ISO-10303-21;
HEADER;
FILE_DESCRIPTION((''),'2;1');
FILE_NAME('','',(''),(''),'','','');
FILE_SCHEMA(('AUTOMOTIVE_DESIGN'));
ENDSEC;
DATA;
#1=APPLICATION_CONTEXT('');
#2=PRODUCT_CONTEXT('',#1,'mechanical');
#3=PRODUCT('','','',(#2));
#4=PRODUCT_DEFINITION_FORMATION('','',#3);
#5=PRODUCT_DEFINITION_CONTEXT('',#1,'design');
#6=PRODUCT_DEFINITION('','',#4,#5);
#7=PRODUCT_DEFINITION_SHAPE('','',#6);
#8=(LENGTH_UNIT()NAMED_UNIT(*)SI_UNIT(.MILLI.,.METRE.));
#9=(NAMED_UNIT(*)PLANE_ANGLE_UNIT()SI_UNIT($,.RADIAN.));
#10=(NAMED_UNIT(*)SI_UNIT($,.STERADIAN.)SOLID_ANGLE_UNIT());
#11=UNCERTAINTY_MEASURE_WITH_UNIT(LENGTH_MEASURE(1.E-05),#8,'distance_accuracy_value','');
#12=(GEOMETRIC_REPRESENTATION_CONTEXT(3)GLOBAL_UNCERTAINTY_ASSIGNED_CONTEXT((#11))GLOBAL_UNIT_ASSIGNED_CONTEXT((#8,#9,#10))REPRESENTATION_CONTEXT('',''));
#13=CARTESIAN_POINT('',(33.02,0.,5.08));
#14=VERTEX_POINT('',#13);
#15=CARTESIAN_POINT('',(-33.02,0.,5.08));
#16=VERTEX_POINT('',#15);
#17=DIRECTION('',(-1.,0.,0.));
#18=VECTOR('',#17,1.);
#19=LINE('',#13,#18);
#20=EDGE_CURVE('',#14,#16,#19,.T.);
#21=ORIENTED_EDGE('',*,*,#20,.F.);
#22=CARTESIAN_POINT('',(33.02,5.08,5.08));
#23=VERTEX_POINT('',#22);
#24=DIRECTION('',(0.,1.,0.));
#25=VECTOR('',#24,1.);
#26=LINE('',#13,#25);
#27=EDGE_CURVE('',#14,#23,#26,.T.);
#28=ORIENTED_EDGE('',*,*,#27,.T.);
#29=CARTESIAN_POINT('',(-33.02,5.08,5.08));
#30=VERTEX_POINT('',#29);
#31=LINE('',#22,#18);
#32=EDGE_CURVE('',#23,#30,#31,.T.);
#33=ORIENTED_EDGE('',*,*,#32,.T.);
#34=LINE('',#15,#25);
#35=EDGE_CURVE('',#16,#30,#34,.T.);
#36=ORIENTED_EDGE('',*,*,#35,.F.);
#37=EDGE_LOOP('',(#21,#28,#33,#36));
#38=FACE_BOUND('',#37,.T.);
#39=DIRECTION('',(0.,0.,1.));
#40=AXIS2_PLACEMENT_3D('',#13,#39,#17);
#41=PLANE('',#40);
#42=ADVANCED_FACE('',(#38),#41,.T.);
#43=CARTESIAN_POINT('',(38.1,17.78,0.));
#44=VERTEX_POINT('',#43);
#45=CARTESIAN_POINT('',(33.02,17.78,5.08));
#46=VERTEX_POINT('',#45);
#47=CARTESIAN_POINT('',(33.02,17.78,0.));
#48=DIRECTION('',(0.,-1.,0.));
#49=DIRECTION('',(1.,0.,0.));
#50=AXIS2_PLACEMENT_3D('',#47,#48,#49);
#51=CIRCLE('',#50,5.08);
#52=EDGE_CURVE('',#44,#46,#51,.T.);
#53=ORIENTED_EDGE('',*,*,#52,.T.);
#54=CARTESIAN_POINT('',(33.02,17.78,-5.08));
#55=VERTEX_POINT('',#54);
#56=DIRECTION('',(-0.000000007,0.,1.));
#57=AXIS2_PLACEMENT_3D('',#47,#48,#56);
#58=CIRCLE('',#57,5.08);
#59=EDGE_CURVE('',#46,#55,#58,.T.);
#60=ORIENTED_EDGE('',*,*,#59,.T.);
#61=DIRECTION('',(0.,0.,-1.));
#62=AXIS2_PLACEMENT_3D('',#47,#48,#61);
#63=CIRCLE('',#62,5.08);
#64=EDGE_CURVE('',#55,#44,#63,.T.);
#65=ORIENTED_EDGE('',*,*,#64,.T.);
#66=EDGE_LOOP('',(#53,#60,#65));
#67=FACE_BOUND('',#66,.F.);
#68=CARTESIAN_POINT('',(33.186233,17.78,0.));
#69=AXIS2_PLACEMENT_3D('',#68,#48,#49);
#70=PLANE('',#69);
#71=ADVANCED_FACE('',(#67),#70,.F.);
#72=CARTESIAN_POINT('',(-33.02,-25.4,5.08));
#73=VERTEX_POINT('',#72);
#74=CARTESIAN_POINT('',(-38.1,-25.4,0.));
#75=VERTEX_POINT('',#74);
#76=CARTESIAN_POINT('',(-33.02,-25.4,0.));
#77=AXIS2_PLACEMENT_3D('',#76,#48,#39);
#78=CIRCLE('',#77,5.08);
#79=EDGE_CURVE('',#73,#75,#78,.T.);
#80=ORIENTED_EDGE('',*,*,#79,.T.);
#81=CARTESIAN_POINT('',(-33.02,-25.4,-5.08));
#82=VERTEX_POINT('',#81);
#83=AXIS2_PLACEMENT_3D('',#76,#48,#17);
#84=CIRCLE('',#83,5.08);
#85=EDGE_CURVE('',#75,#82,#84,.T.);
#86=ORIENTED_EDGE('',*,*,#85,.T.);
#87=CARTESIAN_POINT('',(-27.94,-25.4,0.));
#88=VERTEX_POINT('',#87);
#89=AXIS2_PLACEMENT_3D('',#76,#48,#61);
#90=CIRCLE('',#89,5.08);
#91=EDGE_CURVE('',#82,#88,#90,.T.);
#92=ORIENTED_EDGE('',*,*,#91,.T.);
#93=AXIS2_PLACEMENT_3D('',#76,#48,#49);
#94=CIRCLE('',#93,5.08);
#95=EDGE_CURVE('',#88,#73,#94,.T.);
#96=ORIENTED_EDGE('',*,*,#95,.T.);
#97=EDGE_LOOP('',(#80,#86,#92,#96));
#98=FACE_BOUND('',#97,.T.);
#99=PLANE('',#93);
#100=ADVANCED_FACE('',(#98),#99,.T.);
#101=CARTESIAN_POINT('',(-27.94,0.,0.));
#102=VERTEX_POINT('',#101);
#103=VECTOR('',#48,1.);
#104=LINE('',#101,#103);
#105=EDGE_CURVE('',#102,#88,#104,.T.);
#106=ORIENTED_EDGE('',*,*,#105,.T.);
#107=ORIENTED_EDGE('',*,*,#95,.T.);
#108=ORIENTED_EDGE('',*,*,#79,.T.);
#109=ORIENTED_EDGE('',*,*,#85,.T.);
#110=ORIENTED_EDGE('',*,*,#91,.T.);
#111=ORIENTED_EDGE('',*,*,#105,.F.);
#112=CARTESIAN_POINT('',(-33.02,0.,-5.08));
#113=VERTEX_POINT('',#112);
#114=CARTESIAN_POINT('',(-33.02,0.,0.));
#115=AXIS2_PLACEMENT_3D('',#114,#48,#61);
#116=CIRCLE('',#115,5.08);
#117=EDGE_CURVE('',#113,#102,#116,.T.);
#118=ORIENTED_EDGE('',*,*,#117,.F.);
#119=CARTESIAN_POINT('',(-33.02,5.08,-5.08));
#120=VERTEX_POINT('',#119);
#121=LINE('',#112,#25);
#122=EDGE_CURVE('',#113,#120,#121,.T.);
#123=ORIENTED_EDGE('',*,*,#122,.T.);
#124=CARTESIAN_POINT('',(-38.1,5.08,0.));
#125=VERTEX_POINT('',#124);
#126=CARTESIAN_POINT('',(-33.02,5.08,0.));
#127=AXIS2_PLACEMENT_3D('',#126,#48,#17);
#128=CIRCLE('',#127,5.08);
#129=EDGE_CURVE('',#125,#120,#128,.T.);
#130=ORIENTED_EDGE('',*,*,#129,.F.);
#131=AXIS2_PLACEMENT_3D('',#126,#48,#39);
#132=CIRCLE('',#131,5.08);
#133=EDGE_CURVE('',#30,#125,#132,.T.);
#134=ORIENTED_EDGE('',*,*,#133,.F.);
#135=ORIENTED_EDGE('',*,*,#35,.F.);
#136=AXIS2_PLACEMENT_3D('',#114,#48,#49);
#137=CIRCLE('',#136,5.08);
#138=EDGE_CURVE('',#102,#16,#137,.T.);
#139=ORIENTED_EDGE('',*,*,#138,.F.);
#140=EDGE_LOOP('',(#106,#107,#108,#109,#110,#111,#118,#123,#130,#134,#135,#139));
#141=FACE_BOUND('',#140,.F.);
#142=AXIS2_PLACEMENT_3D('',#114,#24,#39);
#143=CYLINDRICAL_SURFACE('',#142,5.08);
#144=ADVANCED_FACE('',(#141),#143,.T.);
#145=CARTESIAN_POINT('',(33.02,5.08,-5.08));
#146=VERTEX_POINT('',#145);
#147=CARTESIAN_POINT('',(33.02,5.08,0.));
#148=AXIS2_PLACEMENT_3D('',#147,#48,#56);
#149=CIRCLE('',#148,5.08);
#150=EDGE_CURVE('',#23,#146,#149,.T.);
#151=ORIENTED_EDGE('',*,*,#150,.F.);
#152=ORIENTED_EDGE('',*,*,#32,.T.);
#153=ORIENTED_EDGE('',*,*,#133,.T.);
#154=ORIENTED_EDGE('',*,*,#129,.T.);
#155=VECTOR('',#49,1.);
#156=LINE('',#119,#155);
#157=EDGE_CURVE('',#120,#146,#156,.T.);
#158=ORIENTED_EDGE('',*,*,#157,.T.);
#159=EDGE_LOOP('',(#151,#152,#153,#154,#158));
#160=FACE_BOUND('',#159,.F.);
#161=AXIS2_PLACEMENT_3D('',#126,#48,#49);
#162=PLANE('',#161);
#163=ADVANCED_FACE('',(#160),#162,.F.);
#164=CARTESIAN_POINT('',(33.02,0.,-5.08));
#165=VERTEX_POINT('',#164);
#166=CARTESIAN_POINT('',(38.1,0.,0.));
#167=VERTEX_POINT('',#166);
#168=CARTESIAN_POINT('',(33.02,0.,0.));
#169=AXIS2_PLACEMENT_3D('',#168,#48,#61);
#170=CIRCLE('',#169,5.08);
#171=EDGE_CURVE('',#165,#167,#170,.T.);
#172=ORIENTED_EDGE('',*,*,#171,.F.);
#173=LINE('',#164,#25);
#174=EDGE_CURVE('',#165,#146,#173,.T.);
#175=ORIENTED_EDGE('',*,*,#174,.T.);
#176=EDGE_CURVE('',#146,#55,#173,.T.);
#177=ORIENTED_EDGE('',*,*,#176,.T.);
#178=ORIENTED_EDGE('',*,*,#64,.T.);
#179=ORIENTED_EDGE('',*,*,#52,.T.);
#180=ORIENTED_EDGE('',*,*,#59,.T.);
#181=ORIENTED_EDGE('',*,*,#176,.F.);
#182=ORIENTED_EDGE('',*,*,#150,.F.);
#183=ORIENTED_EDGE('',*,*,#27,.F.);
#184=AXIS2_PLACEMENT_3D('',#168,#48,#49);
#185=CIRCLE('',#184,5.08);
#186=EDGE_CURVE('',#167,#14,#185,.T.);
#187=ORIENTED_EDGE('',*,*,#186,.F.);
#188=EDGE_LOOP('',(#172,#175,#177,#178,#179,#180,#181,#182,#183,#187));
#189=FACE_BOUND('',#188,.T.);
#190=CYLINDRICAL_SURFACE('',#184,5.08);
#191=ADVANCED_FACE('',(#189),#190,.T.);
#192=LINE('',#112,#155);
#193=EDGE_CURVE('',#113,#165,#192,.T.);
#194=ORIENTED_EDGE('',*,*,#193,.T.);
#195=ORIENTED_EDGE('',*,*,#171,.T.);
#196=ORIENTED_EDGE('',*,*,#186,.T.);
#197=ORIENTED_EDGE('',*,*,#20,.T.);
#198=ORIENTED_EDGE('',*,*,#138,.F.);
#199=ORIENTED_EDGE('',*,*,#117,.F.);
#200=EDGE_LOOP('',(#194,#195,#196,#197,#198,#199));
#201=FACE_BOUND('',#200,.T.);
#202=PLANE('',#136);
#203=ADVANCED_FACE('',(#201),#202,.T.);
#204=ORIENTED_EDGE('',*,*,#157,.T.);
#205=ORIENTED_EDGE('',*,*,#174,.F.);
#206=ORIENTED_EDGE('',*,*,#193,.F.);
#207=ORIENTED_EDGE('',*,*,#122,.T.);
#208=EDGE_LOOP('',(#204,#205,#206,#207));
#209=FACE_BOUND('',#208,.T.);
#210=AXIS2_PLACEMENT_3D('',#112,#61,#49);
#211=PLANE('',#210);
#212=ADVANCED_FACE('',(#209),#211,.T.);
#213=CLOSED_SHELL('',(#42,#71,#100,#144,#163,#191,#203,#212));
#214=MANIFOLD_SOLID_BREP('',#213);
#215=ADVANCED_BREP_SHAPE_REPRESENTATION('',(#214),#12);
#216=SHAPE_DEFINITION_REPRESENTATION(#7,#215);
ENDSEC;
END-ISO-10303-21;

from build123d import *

# Parameters (mm, degrees)
F1_DEPTH = 5.08
F2_DEPTH = 25.4
F3_DEPTH = 17.78


with BuildPart() as f1:
    # F0 (on Front) → F1 (new body)
    with BuildSketch(Plane.XZ):
        with BuildLine():
            ThreePointArc((-27.94, 0), (-29.4278975516, 3.5921024484), (-33.02, 5.08))
            ThreePointArc((-33.02, 5.08), (-36.6121024484, 3.5921024484), (-38.1, 0))
            ThreePointArc((-38.1, 0), (-36.6121024484, -3.5921024484), (-33.02, -5.08))
            ThreePointArc((-33.02, -5.08), (-29.4278975516, -3.5921024484), (-27.94, 0))
        make_face()
        with BuildLine():
            Line((33.019999962, 5.08), (-33.02, 5.08))
            ThreePointArc((-33.02, 5.08), (-29.4278975516, 3.5921024484), (-27.94, 0))
            ThreePointArc((-27.94, 0), (-29.4278975516, -3.5921024484), (-33.02, -5.08))
            Line((-33.02, -5.08), (33.02, -5.08))
            ThreePointArc((33.02, -5.08), (27.94, -1.9e-08), (33.019999962, 5.08))
        make_face()
        with BuildLine():
            ThreePointArc((38.1, 0), (36.612102435, 3.5921024619), (33.019999962, 5.08))
            ThreePointArc((33.019999962, 5.08), (27.94, -1.9e-08), (33.02, -5.08))
            ThreePointArc((33.02, -5.08), (36.6121024484, -3.5921024484), (38.1, 0))
        make_face()
    extrude(amount=-F1_DEPTH)

    # F0 (on Front) → F2 (join)
    with BuildSketch(Plane.XZ):
        with BuildLine():
            ThreePointArc((-27.94, 0), (-29.4278975516, 3.5921024484), (-33.02, 5.08))
            ThreePointArc((-33.02, 5.08), (-36.6121024484, 3.5921024484), (-38.1, 0))
            ThreePointArc((-38.1, 0), (-36.6121024484, -3.5921024484), (-33.02, -5.08))
            ThreePointArc((-33.02, -5.08), (-29.4278975516, -3.5921024484), (-27.94, 0))
        make_face()
    extrude(amount=F2_DEPTH)

    # F0 (on Front) → F3 (join)
    with BuildSketch(Plane.XZ):
        with BuildLine():
            ThreePointArc((38.1, 0), (36.612102435, 3.5921024619), (33.019999962, 5.08))
            ThreePointArc((33.019999962, 5.08), (27.94, -1.9e-08), (33.02, -5.08))
            ThreePointArc((33.02, -5.08), (36.6121024484, -3.5921024484), (38.1, 0))
        make_face()
    extrude(amount=-F3_DEPTH)


solid = f1.part
